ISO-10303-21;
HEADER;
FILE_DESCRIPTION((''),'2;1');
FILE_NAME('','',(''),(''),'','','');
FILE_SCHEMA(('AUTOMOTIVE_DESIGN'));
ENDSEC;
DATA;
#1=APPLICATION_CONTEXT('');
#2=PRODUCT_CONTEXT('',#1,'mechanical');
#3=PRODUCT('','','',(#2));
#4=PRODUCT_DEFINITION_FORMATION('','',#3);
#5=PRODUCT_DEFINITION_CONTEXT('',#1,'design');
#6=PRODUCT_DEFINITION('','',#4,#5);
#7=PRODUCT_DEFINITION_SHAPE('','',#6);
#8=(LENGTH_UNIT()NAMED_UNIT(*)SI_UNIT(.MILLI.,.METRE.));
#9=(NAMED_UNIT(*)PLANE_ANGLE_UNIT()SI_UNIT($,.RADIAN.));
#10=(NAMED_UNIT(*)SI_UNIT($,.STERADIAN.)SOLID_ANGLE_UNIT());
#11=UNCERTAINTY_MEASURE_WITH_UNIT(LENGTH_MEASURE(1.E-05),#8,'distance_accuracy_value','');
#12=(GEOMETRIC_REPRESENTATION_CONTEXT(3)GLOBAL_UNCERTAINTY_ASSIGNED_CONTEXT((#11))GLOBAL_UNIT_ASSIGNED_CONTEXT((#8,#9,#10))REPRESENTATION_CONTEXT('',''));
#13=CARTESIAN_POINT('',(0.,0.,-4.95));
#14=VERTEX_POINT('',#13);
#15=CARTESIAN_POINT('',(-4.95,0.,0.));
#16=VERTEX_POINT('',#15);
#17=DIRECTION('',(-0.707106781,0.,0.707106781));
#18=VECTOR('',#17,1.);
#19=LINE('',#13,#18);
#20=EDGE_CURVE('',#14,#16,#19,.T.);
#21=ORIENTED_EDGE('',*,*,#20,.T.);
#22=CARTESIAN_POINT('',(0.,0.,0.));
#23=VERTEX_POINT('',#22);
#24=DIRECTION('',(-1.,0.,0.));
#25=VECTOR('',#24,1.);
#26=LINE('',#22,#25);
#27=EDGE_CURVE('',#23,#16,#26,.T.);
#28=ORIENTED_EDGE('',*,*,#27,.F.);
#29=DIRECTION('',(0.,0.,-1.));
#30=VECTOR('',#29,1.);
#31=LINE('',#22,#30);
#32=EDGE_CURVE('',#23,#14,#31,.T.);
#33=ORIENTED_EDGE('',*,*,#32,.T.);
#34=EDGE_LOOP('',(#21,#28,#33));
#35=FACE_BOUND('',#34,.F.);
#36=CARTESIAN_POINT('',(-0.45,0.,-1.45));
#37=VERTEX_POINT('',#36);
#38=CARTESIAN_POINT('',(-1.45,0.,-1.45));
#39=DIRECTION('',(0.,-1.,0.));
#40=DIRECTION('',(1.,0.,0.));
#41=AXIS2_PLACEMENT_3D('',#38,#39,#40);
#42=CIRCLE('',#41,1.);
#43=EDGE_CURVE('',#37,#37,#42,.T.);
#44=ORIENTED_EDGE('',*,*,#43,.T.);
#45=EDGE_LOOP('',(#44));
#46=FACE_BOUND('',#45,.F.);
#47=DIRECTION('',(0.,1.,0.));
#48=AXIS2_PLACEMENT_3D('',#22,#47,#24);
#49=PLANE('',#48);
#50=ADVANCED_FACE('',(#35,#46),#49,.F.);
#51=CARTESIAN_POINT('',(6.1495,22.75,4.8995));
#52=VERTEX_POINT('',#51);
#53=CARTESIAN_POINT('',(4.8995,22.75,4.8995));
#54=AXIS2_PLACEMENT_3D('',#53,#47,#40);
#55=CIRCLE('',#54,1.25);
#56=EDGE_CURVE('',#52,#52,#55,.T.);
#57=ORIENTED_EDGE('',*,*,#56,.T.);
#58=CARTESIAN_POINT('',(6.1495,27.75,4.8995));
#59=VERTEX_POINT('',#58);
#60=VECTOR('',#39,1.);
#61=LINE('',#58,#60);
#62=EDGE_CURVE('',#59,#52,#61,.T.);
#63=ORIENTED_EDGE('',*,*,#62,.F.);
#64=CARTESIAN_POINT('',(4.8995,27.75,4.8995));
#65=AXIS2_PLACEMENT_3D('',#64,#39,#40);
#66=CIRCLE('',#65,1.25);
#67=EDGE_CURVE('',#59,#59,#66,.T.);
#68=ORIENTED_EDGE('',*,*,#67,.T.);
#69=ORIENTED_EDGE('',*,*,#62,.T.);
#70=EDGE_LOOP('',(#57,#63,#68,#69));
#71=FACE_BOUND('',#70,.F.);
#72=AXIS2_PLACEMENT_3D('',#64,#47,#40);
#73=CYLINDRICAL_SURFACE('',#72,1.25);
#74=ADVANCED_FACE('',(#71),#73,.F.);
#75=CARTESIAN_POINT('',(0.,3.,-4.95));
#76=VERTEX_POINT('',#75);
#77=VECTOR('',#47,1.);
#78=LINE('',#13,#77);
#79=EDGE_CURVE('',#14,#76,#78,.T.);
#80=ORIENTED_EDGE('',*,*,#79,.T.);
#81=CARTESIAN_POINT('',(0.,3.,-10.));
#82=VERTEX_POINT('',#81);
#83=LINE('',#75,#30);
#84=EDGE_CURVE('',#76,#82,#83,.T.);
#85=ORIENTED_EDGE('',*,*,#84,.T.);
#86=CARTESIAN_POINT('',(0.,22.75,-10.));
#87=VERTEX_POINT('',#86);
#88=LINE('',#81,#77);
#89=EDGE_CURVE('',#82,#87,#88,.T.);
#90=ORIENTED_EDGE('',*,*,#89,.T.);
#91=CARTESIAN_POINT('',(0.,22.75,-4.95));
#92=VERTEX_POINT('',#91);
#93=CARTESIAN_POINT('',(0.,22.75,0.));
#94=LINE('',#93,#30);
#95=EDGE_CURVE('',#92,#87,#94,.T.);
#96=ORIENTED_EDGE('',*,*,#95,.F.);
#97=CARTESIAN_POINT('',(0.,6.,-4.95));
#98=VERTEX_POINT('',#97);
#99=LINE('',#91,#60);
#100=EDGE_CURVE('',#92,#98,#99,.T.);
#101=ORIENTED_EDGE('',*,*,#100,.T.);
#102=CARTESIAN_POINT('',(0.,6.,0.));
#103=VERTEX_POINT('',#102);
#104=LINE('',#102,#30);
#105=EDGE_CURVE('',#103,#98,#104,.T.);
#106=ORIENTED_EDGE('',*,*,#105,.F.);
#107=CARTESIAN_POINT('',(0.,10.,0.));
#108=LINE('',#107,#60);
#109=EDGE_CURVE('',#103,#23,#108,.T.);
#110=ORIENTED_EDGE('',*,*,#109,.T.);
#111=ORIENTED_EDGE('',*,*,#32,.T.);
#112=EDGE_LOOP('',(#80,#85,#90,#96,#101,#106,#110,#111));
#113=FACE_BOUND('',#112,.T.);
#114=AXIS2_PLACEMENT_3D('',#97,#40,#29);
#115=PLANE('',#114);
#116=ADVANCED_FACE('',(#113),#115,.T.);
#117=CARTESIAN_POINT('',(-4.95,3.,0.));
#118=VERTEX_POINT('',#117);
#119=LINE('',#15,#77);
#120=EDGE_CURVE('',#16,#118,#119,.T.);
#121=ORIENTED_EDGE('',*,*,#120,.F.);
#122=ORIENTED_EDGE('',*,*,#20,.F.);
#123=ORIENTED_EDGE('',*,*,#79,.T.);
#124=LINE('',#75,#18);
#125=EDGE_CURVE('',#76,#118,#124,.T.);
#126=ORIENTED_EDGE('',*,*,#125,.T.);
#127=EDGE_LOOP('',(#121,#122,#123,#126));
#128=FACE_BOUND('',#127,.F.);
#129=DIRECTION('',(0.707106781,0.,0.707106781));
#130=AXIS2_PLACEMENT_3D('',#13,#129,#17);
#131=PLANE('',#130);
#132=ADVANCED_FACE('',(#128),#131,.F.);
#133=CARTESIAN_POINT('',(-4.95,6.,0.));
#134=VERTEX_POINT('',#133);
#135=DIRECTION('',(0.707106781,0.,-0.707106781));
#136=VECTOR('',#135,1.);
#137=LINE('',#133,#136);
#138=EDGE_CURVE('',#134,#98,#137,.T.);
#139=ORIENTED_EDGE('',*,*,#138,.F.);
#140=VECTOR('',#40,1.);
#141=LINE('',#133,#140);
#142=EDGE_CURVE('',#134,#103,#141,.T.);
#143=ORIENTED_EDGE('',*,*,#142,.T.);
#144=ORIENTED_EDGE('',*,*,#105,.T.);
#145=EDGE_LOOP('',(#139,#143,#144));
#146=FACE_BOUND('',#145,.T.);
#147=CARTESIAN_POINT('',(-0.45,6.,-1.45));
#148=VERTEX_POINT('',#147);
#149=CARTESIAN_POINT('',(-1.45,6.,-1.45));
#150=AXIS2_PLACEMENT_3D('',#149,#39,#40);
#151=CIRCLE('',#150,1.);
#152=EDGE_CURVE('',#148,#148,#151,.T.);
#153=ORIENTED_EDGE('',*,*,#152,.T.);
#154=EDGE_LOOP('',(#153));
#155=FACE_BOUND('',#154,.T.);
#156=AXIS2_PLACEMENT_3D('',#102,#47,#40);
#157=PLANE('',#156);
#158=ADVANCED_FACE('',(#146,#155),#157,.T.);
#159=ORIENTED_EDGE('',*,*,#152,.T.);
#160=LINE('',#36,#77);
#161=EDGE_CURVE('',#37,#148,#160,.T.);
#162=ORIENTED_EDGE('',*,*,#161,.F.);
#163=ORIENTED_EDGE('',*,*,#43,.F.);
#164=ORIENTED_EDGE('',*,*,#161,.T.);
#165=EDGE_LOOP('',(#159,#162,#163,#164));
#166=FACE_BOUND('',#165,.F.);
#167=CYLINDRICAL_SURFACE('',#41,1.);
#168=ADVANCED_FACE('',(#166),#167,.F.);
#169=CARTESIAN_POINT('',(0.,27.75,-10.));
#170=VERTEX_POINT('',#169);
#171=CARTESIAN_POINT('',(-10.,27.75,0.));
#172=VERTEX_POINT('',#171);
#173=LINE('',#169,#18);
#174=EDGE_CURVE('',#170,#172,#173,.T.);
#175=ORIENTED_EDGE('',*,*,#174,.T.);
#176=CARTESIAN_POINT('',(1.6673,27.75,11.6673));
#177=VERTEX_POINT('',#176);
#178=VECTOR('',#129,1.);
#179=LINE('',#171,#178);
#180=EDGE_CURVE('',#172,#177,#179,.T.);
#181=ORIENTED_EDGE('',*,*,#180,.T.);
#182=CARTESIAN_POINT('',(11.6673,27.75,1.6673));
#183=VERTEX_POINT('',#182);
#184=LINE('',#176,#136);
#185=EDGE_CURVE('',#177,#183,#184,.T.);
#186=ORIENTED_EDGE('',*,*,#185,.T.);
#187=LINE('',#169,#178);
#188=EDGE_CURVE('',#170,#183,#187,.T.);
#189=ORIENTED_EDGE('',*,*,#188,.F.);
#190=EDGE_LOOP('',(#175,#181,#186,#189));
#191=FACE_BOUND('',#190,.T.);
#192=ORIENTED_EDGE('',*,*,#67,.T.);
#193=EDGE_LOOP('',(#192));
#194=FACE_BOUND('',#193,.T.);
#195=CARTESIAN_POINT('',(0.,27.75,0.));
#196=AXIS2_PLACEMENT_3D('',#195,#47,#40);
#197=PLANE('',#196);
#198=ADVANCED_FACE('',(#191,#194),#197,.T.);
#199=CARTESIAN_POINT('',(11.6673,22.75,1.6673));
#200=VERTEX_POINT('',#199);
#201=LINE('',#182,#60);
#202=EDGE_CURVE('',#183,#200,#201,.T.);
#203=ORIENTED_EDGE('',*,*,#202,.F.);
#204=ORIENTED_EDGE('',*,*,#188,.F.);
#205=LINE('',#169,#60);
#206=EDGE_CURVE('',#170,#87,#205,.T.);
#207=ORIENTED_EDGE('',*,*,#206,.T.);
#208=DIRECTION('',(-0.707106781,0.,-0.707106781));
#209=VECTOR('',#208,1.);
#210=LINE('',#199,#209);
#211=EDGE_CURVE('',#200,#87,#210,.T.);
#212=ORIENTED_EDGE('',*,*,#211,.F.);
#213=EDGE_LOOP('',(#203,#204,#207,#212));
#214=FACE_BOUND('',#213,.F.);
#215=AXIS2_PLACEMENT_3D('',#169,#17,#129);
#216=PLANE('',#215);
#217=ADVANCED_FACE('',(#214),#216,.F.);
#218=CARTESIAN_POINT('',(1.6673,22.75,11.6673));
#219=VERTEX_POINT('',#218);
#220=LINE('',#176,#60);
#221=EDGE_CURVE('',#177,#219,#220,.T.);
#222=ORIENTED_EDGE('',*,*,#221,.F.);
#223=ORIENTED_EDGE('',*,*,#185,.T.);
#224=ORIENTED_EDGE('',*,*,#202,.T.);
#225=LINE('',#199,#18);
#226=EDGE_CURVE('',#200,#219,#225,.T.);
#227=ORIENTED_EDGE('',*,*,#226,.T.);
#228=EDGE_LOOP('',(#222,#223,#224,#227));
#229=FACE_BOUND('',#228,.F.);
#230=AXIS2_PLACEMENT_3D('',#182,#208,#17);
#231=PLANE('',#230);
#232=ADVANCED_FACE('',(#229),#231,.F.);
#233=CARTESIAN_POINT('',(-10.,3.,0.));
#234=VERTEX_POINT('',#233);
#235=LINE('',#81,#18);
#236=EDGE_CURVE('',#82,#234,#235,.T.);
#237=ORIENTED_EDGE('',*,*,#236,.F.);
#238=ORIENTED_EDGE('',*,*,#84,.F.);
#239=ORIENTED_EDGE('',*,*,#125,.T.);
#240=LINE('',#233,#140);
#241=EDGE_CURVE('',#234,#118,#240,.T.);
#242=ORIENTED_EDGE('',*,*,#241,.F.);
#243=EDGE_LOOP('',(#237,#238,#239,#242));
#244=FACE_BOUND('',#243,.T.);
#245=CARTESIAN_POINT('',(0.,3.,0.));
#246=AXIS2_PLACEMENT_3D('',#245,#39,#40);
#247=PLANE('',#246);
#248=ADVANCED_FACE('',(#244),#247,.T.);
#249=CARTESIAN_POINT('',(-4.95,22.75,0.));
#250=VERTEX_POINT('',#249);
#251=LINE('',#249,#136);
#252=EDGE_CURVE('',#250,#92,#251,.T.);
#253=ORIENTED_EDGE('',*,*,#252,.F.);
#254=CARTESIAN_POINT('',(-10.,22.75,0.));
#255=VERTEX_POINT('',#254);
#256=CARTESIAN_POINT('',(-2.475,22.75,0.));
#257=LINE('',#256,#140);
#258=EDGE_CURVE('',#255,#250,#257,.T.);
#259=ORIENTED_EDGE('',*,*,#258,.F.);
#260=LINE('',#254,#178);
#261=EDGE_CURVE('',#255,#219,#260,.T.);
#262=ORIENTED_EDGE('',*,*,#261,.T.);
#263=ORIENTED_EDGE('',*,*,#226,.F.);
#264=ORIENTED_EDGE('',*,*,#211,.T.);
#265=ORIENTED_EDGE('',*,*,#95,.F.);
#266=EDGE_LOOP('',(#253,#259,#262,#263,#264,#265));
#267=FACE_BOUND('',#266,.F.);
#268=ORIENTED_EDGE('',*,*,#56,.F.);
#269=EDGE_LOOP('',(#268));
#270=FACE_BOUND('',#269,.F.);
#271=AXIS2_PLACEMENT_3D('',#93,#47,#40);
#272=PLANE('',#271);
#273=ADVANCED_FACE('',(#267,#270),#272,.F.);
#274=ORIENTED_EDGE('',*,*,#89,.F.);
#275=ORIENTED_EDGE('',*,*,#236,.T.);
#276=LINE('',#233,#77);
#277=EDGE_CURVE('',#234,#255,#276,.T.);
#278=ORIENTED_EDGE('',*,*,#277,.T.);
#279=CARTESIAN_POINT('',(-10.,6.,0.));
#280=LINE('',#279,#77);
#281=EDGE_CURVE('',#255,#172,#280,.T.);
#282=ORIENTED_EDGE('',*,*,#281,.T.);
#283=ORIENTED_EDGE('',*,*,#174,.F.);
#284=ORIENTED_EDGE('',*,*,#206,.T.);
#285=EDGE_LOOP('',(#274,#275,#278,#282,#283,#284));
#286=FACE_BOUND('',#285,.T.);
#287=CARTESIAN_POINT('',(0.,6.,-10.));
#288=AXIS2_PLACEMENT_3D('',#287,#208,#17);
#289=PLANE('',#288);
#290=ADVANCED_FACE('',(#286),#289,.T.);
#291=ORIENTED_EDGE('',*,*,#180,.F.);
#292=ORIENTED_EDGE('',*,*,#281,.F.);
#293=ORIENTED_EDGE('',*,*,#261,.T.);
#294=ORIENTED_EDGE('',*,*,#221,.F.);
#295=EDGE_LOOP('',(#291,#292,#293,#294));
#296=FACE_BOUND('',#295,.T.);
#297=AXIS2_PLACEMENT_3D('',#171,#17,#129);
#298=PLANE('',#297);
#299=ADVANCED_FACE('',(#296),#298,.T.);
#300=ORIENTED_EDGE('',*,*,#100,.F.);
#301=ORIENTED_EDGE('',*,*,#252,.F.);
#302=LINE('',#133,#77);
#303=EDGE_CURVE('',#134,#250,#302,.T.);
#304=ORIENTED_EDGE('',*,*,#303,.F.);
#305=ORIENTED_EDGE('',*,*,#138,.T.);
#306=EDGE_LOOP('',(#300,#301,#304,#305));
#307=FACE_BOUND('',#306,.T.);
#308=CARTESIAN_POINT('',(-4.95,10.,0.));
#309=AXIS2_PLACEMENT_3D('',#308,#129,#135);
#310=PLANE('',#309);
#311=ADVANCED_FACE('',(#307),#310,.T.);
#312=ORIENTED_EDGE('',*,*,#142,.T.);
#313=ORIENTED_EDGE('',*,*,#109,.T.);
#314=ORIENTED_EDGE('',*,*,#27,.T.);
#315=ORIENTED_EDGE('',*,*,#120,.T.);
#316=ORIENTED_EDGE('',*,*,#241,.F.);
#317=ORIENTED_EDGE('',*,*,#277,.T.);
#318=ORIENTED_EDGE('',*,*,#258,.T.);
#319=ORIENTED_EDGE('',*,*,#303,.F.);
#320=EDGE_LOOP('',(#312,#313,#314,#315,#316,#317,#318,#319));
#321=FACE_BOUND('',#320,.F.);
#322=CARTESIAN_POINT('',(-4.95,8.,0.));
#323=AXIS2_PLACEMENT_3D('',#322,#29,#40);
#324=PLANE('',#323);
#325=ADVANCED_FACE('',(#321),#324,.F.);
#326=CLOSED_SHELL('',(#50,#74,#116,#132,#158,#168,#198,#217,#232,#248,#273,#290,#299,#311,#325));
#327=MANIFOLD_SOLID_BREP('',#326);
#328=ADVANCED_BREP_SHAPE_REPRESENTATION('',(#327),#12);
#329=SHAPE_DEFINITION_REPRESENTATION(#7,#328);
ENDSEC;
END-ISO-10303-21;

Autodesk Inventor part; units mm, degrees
ref_plane "YZ Plane" through (0, 0, 0) normal (1, 0, 0) x (0, 1, 0)
ref_plane "XZ Plane" through (0, 0, 0) normal (0, 1, 0) x (-1, 0, 0)
ref_plane "XY Plane" through (0, 0, 0) normal (0, 0, 1) x (1, 0, 0)
sketch "Sketch1" plane through (0, 0, 0) normal (0, 1, 0) x (-1, 0, 0)
  line L0 (0, 0) -> (4.95, 0)
  line L1 (0, 0) -> (0, -4.95)
  line L2 (0, -4.95) -> (4.95, 0)
  dimension "d0" = 4.95
  dimension "d1" = 4.95
extrude "Extrusion1" add sketch "Sketch1" along normal blind 6
sketch "Sketch2" plane through (0, 6, 0) normal (0, 1, 0) x (1, 0, 0)
  line L0 (-4.95, 0) -> (0, 0) projected
  line L1 (0, 0) -> (-10, 0)
  line L2 (0, 0) -> (0, 10)
  line L3 (0, 10) -> (-10, 0)
  dimension "d4" = 10
  dimension "d5" = 10
extrude "Extrusion2" add sketch "Sketch2" along normal blind 2
sketch "Sketch3" plane through (0, 8, 0) normal (0, 1, 0) x (1, 0, 0)
  line L0 (-10, 0) -> (-4.95, 0) projected
  line L1 (-10, 0) -> (-4.95, 0)
  line L2 (0, 4.95) -> (0, 10) projected
  line L3 (-4.95, 0) -> (0, 4.95)
  line L4 (0, 4.95) -> (0, 10)
  line L5 (0, 10) -> (-10, 0)
  point P0 (0, 0)
extrude "Extrusion3" add sketch "Sketch3" along normal blind 19.75
sketch "Sketch4" plane through (0, 27.75, 0) normal (0, 1, 0) x (1, 0, 0)
  line L0 (-4.95, 0) -> (0, 0) projected
  line L1 (-4.95, 0) -> (0, 0)
  line L2 (-4.95, 0) -> (0, 4.95) projected
  line L3 (0, 0) -> (0, 4.95) projected
extrude "Extrusion4" add sketch "Sketch4" against normal blind 5
sketch "Sketch6" plane through (0, 27.75, 0) normal (0, 1, 0) x (1, 0, 0)
  line L0 (-10, 0) -> (-4.95, 0) projected
  line L1 (-10, 0) -> (0, 10)
  line L2 (0, 10) -> (-10, 0) projected
  line L3 (-4.95, 0) -> (0, 0) projected
  line L4 (0, 0) -> (0, 10) projected
  circle A0 centre (-2.6665, 2.6666) radius 1.25
  dimension "d12" = 2.5
  dimension "d17" = 3.3
  dimension "d18" = 2.6665
  dimension "d19" = 2.6666
extrude "Extrusion5" cut sketch "Sketch6" against normal blind 5 contours A0
sketch "Sketch7" plane through (0, 8, 0) normal (0, 1, 0) x (1, 0, 0)
  line L0 (0, 4.95) -> (-4.95, 0) projected
  line L1 (0, 4.95) -> (-4.95, 0)
  line L2 (0, 4.95) -> (-4.95, 0) projected
  line L3 (0, 0) -> (0, 4.95) projected
  line L4 (-4.95, 0) -> (0, 0)
  line L5 (0, 0) -> (0, 4.95)
extrude "Extrusion6" add sketch "Sketch7" along normal blind 2
sketch "Sketch8" plane through (0, 0, 0) normal (0, -1, 0) x (1, 0, 0)
  line L0 (-4.95, 0) -> (0, 0) projected
  line L1 (0, 0) -> (0, -4.95) projected
  circle A0 centre (-1.45, -1.45) radius 1
  dimension "d20" = 1.45
  dimension "d21" = 1.45
  dimension "d22" = 2
extrude "Extrusion7" cut sketch "Sketch8" against normal up to surface (10 mm away)
sketch "Sketch9" plane through (0, 27.75, 0) normal (0, 1, 0) x (1, 0, 0)
  line L0 (0, 10) -> (10.5977, -0.5977)
  line L1 (0, 0) -> (0, 10) projected
  line L2 (0, 10) -> (-10, 0) projected
  line L3 (0, 10) -> (11.6673, -1.6673)
  line L4 (11.6673, -1.6673) -> (1.6673, -11.6673)
  line L5 (11.6673, -1.6673) -> (30.5491, -1.6673) construction
  line L6 (-10, 0) -> (1.6673, -11.6673)
  arc A0 (8.435, -4.8995) -> (4.8995, -8.435) centre (6.6673, -6.6673) ccw
  line L7 (6.6673, -6.6673) -> (4.8995, -4.8995)
  circle A1 centre (4.8995, -4.8995) radius 1.25
  point P0 (10.5977, -0.5977)
  dimension "d25" = 45
  dimension "d26" = 16.5
  dimension "d27" = 135
  dimension "d28" = 5
  dimension "d29" = 2.5
extrude "Extrusion8" add sketch "Sketch9" against normal up to surface (5 mm away) contours L0 L3 L4 A0 A1 L6 L2 | L4 L7 A1 A0 | A0 A1 L7 L4
sketch "Sketch10" plane through (0, 6, 0) normal (0, -1, 0) x (1, 0, 0)
  line L0 (0, -4.95) -> (-4.95, 0) projected
  line L1 (-10, 0) -> (-4.95, 0) projected
  line L2 (0, -10) -> (-10, 0) projected
  line L3 (0, -4.95) -> (0, -10) projected
  point P0 (0, 0)
extrude "Extrusion9" add sketch "Sketch10" along normal blind 3
sketch "Sketch11" plane through (0, 10, 0) normal (0, 1, 0) x (1, 0, 0)
  line L0 (0, 0) -> (0, 4.95) projected
  line L1 (-4.95, 0) -> (0, 4.95) projected
  line L2 (-4.95, 0) -> (0, 0) projected
extrude "Extrusion10" cut sketch "Sketch11" against normal blind 4
properties part number "bracket servo left_3DPrint"
